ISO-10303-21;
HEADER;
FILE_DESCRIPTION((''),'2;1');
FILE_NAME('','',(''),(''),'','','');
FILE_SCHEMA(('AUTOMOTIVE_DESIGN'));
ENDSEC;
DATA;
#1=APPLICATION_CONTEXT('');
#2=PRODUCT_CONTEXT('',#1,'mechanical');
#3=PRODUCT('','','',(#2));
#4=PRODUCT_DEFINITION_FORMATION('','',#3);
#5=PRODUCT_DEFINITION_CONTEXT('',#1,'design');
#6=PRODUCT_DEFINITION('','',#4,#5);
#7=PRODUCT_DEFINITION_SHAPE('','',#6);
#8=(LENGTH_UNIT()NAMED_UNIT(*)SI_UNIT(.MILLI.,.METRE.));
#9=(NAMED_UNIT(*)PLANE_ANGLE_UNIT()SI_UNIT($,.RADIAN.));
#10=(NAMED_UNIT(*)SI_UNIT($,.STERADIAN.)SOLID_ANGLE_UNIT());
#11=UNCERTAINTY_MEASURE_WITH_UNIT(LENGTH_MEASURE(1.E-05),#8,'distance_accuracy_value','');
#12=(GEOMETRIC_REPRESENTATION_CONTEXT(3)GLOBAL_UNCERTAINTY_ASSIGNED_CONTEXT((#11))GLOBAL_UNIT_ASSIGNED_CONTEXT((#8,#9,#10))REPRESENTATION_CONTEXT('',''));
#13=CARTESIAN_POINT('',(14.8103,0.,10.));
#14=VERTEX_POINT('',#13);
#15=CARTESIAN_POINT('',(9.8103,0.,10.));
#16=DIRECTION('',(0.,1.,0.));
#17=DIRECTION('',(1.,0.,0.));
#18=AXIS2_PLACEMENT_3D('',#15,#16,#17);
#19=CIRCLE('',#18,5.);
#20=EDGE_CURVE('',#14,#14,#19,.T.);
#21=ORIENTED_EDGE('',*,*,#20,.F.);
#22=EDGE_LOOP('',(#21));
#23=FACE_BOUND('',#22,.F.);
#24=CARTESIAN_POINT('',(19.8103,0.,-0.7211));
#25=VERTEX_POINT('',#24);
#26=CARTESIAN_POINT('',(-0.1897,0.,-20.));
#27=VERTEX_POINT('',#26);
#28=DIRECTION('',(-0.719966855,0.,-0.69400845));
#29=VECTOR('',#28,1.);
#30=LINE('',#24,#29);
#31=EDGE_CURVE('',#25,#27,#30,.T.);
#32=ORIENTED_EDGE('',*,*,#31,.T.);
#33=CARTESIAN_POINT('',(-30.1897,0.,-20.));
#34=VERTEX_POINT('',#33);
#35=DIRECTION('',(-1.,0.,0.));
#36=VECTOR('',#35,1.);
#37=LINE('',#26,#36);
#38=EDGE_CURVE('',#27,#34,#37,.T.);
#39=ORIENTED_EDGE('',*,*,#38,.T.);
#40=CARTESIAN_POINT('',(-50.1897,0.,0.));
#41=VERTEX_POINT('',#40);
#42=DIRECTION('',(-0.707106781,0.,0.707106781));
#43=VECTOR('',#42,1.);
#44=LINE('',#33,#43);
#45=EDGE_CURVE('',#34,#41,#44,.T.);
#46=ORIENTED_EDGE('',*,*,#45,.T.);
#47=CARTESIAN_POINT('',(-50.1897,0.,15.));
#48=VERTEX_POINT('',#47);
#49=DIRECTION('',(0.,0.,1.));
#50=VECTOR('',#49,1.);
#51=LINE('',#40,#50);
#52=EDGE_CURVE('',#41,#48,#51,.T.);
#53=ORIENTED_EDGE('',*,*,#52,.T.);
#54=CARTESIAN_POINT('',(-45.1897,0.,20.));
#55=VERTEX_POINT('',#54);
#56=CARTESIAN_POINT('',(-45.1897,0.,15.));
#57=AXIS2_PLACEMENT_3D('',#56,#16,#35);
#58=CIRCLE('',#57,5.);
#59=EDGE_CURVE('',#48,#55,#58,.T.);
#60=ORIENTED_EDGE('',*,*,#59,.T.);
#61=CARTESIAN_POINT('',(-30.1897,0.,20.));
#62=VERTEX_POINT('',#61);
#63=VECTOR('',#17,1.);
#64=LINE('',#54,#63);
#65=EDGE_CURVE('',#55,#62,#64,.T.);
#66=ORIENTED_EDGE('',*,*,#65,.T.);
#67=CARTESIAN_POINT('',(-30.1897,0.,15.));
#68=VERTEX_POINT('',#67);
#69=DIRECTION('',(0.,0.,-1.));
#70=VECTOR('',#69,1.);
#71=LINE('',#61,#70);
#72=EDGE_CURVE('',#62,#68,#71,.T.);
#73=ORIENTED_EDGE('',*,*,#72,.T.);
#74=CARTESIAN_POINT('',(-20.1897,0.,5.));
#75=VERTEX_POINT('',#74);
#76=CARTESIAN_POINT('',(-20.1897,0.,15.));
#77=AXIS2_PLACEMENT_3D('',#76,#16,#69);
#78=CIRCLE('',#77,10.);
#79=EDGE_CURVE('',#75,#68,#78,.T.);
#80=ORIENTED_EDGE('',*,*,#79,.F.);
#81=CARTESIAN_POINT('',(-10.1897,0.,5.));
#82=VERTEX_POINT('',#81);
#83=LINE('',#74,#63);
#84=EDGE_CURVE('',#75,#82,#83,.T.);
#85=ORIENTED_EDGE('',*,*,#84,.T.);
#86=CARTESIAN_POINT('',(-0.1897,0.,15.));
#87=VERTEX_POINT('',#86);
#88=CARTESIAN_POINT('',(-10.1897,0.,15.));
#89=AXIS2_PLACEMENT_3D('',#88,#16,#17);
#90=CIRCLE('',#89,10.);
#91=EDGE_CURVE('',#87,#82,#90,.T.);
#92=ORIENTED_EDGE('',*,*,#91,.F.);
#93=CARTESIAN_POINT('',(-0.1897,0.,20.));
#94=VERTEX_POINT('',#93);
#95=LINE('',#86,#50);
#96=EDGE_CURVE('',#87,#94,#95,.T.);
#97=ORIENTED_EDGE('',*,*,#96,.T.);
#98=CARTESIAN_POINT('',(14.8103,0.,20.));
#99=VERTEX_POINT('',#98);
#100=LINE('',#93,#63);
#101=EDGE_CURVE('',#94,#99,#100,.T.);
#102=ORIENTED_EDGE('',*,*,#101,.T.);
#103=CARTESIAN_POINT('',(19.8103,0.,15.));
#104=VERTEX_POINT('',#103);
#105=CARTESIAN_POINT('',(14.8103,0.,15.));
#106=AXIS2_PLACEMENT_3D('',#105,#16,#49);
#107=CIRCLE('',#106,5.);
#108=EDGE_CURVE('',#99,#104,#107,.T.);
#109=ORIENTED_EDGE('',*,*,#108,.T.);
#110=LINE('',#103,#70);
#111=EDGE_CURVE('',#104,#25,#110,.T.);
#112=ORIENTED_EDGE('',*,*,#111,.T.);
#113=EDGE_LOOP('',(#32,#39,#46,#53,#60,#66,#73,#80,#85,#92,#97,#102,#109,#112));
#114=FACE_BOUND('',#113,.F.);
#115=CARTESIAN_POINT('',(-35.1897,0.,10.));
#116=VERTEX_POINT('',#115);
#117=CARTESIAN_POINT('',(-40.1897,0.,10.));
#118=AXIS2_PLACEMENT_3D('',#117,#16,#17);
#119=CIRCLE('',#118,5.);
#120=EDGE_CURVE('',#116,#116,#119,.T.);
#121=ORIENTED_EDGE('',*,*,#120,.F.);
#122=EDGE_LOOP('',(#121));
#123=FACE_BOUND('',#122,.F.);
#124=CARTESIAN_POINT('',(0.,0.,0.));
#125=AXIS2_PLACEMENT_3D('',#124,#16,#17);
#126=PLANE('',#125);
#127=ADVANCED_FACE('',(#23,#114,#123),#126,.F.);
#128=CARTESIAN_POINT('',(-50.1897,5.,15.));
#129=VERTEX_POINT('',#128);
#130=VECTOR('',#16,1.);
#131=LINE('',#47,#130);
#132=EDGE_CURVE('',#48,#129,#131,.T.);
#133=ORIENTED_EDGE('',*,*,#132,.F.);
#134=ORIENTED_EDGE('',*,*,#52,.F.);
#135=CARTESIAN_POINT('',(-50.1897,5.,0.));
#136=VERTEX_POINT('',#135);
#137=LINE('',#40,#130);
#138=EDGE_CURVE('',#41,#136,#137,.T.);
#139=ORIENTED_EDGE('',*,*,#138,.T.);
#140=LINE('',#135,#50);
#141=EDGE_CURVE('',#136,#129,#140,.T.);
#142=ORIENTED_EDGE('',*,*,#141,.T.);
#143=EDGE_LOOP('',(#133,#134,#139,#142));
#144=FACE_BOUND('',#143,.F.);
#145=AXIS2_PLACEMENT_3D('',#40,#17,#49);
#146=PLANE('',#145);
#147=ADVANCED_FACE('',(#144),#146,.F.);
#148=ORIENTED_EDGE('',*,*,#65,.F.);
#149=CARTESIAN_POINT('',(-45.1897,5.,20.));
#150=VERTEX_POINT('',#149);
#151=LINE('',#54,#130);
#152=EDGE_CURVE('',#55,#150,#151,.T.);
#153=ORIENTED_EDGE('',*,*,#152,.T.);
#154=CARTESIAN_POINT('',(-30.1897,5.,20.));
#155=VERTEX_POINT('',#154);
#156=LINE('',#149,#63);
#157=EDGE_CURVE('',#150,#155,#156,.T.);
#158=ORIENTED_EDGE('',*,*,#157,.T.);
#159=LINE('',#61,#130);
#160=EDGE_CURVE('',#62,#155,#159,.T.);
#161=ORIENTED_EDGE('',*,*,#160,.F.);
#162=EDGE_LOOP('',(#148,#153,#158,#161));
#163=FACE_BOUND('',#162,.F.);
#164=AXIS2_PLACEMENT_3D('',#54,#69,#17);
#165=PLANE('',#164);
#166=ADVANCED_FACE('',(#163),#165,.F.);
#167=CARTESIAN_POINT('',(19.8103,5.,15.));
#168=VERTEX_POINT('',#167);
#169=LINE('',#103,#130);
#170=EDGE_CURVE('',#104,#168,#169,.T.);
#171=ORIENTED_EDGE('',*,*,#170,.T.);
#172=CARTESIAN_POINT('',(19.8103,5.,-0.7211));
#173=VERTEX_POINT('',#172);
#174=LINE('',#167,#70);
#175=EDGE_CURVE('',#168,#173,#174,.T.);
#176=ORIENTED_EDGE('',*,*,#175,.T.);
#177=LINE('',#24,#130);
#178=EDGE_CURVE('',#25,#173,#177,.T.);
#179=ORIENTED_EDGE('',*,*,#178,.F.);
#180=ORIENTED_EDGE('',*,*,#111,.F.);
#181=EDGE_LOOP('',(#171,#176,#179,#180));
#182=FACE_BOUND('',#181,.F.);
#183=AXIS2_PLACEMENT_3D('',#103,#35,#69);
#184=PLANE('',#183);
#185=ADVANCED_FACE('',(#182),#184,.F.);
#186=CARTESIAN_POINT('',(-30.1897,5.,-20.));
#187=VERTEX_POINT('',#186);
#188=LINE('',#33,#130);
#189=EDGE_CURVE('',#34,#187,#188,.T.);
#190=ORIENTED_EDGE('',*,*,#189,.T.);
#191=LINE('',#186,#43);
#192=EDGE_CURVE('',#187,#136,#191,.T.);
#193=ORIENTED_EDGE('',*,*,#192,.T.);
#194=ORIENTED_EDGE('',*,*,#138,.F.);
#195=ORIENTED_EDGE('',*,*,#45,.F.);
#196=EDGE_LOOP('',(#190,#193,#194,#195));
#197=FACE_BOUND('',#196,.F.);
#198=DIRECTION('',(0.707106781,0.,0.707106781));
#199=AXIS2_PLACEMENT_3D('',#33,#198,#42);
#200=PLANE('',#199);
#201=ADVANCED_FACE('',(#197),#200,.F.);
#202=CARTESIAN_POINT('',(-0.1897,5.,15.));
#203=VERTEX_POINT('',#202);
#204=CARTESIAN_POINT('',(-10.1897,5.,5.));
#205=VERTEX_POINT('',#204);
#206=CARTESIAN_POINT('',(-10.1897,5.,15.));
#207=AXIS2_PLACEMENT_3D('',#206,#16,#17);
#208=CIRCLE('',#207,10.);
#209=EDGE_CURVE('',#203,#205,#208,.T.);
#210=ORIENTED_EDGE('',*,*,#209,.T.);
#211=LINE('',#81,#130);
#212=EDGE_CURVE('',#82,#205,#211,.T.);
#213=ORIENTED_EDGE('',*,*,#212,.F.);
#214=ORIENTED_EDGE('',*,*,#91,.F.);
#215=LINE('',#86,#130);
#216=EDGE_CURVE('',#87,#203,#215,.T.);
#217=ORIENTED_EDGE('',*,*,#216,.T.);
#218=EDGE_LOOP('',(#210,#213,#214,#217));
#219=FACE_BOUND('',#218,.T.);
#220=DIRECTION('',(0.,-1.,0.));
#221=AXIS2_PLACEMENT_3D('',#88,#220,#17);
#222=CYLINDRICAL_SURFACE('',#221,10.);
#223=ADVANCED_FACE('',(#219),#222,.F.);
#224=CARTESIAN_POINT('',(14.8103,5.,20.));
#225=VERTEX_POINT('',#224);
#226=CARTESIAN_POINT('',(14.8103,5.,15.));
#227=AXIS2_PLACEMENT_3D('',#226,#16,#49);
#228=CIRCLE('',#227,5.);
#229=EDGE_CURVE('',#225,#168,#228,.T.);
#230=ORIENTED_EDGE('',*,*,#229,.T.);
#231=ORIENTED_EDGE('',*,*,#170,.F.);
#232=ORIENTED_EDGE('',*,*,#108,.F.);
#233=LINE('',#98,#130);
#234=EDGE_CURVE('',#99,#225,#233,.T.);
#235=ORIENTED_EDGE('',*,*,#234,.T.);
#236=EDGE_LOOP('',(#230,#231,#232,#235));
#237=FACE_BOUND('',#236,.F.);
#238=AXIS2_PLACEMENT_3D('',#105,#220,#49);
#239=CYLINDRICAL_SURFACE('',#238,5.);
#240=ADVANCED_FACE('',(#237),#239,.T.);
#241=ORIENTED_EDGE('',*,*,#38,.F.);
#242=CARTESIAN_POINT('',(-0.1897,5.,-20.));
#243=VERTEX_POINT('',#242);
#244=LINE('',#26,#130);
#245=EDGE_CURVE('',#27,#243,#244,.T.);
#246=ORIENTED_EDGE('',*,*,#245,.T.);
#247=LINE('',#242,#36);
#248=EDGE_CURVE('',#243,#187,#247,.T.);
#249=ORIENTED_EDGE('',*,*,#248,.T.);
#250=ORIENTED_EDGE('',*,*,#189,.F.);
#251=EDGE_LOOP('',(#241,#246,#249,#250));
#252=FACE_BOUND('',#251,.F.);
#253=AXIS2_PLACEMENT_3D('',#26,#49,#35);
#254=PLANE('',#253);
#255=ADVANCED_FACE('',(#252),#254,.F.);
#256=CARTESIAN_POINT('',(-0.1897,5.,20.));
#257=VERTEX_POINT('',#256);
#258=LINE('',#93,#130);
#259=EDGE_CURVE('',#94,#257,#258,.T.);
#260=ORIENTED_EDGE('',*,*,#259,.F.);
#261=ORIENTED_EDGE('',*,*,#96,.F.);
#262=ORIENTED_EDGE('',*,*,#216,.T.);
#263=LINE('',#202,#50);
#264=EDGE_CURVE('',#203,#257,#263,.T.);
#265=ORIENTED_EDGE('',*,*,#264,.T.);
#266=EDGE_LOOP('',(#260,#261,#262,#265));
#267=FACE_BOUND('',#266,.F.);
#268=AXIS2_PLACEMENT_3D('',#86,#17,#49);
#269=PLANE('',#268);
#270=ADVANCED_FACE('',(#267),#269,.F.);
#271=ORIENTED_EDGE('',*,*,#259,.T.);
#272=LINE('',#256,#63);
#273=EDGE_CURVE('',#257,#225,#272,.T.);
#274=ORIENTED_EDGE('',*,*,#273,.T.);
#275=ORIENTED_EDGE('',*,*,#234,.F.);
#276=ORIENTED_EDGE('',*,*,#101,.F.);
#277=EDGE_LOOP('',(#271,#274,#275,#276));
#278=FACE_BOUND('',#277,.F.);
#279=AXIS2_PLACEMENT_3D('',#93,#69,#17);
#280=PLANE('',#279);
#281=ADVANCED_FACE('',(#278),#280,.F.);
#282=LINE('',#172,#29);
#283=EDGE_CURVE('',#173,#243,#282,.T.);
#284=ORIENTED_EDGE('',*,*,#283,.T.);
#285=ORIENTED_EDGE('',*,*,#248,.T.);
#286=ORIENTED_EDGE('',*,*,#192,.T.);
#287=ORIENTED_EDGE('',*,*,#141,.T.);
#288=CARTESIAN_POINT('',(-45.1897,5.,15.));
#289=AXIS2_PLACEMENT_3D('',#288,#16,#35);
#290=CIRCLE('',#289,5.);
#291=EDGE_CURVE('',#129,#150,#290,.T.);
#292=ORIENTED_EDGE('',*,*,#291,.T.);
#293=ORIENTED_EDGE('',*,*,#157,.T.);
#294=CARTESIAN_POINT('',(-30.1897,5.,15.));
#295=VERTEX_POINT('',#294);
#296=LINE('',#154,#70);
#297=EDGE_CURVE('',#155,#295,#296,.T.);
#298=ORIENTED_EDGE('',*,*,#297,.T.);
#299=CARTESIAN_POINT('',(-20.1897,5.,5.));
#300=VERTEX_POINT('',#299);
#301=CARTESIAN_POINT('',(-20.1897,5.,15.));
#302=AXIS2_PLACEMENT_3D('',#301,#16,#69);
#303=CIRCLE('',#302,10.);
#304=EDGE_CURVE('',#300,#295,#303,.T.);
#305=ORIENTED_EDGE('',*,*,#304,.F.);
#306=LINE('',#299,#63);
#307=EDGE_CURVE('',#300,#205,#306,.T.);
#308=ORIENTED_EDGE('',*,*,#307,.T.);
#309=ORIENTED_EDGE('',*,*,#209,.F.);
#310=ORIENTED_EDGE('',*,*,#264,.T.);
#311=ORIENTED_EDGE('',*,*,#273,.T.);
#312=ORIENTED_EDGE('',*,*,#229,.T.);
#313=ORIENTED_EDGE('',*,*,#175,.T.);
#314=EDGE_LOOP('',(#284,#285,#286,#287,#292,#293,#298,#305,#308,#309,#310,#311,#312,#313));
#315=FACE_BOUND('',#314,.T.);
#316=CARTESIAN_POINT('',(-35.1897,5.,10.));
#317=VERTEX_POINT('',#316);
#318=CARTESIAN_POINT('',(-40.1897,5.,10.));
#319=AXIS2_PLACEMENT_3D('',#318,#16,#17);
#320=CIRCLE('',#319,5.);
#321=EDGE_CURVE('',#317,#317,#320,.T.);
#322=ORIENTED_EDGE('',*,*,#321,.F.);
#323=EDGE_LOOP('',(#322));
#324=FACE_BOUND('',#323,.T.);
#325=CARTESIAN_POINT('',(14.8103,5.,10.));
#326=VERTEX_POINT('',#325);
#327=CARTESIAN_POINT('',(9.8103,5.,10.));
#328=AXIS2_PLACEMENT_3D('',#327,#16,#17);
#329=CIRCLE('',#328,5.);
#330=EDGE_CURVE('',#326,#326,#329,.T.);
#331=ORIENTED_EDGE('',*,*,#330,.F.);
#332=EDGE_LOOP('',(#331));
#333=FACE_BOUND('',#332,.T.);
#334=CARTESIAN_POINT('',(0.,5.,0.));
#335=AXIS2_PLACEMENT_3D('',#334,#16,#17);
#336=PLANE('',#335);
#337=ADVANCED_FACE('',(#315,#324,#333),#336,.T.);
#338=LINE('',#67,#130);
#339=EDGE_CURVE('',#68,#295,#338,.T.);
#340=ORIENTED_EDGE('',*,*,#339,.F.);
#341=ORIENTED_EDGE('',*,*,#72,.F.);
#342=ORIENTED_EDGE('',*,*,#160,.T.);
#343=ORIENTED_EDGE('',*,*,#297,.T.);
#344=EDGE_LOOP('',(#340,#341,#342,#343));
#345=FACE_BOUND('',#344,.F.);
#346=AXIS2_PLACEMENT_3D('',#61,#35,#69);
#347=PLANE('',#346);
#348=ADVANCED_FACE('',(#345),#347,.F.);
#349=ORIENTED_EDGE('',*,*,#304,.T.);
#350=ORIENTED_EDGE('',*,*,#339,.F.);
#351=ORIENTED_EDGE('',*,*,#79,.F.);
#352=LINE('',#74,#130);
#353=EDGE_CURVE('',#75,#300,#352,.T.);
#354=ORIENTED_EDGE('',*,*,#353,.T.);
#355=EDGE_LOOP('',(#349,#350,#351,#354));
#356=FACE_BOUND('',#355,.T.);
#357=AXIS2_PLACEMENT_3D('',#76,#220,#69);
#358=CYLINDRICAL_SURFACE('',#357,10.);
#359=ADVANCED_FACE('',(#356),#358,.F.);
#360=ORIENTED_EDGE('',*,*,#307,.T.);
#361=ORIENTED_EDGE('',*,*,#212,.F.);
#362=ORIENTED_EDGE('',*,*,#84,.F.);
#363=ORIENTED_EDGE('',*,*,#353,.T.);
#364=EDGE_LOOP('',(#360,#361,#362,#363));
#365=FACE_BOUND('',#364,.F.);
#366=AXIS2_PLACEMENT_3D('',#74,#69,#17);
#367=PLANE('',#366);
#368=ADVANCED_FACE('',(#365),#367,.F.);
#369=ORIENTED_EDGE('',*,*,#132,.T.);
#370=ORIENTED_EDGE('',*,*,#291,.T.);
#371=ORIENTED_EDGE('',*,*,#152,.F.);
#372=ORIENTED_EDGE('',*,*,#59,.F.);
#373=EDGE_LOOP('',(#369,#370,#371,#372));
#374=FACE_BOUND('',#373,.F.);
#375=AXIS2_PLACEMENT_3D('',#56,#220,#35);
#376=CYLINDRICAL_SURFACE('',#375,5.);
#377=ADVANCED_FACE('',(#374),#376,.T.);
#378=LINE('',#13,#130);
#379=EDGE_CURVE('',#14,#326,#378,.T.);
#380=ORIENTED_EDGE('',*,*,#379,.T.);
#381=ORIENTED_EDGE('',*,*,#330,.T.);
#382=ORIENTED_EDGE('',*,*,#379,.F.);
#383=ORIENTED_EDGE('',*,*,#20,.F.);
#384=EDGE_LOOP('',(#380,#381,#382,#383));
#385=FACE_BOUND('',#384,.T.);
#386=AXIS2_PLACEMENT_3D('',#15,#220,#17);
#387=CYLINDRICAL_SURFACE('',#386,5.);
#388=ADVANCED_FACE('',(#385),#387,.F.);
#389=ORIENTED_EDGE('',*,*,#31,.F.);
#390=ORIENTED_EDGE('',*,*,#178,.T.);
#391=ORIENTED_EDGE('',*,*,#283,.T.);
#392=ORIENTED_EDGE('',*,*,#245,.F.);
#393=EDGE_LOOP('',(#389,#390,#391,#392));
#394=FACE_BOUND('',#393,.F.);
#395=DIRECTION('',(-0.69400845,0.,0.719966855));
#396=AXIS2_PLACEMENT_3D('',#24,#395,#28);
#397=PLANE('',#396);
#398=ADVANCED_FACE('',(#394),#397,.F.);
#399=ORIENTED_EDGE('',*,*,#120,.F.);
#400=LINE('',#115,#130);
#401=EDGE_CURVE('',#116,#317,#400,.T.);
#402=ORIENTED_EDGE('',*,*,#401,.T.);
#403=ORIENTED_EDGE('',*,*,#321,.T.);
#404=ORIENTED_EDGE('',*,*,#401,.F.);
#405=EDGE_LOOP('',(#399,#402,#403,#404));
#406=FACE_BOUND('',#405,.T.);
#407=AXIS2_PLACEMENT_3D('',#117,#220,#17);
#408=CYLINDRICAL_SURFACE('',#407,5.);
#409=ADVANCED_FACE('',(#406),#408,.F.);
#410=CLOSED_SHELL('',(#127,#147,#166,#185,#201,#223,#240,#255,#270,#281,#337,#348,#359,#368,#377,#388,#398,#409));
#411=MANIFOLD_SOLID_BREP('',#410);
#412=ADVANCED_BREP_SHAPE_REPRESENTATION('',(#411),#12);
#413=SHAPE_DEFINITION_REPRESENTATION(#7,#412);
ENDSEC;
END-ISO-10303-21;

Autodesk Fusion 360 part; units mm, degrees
sketch "Sketch1" plane through (0, 0, 0) normal (0, 1, 0) x (1, 0, 0)
  circle A0 centre (-40.1897, -10) radius 5
  circle A1 centre (9.8103, -10) radius 5
  line L0 (-50.1897, 0) -> (-50.1897, -15)
  line L1 (-45.1897, -20) -> (-30.1897, -20)
  line L2 (-30.1897, -20) -> (-30.1897, -15)
  line L3 (-20.1897, -5) -> (-10.1897, -5)
  line L4 (-0.1897, -15) -> (-0.1897, -20)
  line L5 (-0.1897, -20) -> (14.8103, -20)
  line L6 (19.8103, -15) -> (19.8103, 0.7211)
  line L7 (19.8103, 0.7211) -> (-0.1897, 20)
  line L8 (-0.1897, 20) -> (-30.1897, 20)
  line L9 (-30.1897, 20) -> (-50.1897, 0)
  arc A2 (-50.1897, -15) -> (-45.1897, -20) centre (-45.1897, -15) ccw
  arc A3 (14.8103, -20) -> (19.8103, -15) centre (14.8103, -15) ccw
  arc A4 (-20.1897, -5) -> (-30.1897, -15) centre (-20.1897, -15) ccw
  arc A5 (-0.1897, -15) -> (-10.1897, -5) centre (-10.1897, -15) ccw
  point P0 (-50.1897, -20)
  point P1 (-30.1897, -5)
  point P2 (-0.1897, -5)
  dimension "d1" = 10
  dimension "d2" = 10
  dimension "d3" = 50
  dimension "d4" = 70
  dimension "d5" = 20
  dimension "d6" = 30
  dimension "d7" = 30
  dimension "d8" = 20
  dimension "d9" = 10
  dimension "d10" = 20
  dimension "d11" = 30
  dimension "d12" = 40
  dimension "d13" = 15
  dimension "d14" = 5
  dimension "d15" = 5
  dimension "d16" = 10
  dimension "d17" = 10
extrude "Extrude1" add sketch "Sketch1" along normal blind 5
